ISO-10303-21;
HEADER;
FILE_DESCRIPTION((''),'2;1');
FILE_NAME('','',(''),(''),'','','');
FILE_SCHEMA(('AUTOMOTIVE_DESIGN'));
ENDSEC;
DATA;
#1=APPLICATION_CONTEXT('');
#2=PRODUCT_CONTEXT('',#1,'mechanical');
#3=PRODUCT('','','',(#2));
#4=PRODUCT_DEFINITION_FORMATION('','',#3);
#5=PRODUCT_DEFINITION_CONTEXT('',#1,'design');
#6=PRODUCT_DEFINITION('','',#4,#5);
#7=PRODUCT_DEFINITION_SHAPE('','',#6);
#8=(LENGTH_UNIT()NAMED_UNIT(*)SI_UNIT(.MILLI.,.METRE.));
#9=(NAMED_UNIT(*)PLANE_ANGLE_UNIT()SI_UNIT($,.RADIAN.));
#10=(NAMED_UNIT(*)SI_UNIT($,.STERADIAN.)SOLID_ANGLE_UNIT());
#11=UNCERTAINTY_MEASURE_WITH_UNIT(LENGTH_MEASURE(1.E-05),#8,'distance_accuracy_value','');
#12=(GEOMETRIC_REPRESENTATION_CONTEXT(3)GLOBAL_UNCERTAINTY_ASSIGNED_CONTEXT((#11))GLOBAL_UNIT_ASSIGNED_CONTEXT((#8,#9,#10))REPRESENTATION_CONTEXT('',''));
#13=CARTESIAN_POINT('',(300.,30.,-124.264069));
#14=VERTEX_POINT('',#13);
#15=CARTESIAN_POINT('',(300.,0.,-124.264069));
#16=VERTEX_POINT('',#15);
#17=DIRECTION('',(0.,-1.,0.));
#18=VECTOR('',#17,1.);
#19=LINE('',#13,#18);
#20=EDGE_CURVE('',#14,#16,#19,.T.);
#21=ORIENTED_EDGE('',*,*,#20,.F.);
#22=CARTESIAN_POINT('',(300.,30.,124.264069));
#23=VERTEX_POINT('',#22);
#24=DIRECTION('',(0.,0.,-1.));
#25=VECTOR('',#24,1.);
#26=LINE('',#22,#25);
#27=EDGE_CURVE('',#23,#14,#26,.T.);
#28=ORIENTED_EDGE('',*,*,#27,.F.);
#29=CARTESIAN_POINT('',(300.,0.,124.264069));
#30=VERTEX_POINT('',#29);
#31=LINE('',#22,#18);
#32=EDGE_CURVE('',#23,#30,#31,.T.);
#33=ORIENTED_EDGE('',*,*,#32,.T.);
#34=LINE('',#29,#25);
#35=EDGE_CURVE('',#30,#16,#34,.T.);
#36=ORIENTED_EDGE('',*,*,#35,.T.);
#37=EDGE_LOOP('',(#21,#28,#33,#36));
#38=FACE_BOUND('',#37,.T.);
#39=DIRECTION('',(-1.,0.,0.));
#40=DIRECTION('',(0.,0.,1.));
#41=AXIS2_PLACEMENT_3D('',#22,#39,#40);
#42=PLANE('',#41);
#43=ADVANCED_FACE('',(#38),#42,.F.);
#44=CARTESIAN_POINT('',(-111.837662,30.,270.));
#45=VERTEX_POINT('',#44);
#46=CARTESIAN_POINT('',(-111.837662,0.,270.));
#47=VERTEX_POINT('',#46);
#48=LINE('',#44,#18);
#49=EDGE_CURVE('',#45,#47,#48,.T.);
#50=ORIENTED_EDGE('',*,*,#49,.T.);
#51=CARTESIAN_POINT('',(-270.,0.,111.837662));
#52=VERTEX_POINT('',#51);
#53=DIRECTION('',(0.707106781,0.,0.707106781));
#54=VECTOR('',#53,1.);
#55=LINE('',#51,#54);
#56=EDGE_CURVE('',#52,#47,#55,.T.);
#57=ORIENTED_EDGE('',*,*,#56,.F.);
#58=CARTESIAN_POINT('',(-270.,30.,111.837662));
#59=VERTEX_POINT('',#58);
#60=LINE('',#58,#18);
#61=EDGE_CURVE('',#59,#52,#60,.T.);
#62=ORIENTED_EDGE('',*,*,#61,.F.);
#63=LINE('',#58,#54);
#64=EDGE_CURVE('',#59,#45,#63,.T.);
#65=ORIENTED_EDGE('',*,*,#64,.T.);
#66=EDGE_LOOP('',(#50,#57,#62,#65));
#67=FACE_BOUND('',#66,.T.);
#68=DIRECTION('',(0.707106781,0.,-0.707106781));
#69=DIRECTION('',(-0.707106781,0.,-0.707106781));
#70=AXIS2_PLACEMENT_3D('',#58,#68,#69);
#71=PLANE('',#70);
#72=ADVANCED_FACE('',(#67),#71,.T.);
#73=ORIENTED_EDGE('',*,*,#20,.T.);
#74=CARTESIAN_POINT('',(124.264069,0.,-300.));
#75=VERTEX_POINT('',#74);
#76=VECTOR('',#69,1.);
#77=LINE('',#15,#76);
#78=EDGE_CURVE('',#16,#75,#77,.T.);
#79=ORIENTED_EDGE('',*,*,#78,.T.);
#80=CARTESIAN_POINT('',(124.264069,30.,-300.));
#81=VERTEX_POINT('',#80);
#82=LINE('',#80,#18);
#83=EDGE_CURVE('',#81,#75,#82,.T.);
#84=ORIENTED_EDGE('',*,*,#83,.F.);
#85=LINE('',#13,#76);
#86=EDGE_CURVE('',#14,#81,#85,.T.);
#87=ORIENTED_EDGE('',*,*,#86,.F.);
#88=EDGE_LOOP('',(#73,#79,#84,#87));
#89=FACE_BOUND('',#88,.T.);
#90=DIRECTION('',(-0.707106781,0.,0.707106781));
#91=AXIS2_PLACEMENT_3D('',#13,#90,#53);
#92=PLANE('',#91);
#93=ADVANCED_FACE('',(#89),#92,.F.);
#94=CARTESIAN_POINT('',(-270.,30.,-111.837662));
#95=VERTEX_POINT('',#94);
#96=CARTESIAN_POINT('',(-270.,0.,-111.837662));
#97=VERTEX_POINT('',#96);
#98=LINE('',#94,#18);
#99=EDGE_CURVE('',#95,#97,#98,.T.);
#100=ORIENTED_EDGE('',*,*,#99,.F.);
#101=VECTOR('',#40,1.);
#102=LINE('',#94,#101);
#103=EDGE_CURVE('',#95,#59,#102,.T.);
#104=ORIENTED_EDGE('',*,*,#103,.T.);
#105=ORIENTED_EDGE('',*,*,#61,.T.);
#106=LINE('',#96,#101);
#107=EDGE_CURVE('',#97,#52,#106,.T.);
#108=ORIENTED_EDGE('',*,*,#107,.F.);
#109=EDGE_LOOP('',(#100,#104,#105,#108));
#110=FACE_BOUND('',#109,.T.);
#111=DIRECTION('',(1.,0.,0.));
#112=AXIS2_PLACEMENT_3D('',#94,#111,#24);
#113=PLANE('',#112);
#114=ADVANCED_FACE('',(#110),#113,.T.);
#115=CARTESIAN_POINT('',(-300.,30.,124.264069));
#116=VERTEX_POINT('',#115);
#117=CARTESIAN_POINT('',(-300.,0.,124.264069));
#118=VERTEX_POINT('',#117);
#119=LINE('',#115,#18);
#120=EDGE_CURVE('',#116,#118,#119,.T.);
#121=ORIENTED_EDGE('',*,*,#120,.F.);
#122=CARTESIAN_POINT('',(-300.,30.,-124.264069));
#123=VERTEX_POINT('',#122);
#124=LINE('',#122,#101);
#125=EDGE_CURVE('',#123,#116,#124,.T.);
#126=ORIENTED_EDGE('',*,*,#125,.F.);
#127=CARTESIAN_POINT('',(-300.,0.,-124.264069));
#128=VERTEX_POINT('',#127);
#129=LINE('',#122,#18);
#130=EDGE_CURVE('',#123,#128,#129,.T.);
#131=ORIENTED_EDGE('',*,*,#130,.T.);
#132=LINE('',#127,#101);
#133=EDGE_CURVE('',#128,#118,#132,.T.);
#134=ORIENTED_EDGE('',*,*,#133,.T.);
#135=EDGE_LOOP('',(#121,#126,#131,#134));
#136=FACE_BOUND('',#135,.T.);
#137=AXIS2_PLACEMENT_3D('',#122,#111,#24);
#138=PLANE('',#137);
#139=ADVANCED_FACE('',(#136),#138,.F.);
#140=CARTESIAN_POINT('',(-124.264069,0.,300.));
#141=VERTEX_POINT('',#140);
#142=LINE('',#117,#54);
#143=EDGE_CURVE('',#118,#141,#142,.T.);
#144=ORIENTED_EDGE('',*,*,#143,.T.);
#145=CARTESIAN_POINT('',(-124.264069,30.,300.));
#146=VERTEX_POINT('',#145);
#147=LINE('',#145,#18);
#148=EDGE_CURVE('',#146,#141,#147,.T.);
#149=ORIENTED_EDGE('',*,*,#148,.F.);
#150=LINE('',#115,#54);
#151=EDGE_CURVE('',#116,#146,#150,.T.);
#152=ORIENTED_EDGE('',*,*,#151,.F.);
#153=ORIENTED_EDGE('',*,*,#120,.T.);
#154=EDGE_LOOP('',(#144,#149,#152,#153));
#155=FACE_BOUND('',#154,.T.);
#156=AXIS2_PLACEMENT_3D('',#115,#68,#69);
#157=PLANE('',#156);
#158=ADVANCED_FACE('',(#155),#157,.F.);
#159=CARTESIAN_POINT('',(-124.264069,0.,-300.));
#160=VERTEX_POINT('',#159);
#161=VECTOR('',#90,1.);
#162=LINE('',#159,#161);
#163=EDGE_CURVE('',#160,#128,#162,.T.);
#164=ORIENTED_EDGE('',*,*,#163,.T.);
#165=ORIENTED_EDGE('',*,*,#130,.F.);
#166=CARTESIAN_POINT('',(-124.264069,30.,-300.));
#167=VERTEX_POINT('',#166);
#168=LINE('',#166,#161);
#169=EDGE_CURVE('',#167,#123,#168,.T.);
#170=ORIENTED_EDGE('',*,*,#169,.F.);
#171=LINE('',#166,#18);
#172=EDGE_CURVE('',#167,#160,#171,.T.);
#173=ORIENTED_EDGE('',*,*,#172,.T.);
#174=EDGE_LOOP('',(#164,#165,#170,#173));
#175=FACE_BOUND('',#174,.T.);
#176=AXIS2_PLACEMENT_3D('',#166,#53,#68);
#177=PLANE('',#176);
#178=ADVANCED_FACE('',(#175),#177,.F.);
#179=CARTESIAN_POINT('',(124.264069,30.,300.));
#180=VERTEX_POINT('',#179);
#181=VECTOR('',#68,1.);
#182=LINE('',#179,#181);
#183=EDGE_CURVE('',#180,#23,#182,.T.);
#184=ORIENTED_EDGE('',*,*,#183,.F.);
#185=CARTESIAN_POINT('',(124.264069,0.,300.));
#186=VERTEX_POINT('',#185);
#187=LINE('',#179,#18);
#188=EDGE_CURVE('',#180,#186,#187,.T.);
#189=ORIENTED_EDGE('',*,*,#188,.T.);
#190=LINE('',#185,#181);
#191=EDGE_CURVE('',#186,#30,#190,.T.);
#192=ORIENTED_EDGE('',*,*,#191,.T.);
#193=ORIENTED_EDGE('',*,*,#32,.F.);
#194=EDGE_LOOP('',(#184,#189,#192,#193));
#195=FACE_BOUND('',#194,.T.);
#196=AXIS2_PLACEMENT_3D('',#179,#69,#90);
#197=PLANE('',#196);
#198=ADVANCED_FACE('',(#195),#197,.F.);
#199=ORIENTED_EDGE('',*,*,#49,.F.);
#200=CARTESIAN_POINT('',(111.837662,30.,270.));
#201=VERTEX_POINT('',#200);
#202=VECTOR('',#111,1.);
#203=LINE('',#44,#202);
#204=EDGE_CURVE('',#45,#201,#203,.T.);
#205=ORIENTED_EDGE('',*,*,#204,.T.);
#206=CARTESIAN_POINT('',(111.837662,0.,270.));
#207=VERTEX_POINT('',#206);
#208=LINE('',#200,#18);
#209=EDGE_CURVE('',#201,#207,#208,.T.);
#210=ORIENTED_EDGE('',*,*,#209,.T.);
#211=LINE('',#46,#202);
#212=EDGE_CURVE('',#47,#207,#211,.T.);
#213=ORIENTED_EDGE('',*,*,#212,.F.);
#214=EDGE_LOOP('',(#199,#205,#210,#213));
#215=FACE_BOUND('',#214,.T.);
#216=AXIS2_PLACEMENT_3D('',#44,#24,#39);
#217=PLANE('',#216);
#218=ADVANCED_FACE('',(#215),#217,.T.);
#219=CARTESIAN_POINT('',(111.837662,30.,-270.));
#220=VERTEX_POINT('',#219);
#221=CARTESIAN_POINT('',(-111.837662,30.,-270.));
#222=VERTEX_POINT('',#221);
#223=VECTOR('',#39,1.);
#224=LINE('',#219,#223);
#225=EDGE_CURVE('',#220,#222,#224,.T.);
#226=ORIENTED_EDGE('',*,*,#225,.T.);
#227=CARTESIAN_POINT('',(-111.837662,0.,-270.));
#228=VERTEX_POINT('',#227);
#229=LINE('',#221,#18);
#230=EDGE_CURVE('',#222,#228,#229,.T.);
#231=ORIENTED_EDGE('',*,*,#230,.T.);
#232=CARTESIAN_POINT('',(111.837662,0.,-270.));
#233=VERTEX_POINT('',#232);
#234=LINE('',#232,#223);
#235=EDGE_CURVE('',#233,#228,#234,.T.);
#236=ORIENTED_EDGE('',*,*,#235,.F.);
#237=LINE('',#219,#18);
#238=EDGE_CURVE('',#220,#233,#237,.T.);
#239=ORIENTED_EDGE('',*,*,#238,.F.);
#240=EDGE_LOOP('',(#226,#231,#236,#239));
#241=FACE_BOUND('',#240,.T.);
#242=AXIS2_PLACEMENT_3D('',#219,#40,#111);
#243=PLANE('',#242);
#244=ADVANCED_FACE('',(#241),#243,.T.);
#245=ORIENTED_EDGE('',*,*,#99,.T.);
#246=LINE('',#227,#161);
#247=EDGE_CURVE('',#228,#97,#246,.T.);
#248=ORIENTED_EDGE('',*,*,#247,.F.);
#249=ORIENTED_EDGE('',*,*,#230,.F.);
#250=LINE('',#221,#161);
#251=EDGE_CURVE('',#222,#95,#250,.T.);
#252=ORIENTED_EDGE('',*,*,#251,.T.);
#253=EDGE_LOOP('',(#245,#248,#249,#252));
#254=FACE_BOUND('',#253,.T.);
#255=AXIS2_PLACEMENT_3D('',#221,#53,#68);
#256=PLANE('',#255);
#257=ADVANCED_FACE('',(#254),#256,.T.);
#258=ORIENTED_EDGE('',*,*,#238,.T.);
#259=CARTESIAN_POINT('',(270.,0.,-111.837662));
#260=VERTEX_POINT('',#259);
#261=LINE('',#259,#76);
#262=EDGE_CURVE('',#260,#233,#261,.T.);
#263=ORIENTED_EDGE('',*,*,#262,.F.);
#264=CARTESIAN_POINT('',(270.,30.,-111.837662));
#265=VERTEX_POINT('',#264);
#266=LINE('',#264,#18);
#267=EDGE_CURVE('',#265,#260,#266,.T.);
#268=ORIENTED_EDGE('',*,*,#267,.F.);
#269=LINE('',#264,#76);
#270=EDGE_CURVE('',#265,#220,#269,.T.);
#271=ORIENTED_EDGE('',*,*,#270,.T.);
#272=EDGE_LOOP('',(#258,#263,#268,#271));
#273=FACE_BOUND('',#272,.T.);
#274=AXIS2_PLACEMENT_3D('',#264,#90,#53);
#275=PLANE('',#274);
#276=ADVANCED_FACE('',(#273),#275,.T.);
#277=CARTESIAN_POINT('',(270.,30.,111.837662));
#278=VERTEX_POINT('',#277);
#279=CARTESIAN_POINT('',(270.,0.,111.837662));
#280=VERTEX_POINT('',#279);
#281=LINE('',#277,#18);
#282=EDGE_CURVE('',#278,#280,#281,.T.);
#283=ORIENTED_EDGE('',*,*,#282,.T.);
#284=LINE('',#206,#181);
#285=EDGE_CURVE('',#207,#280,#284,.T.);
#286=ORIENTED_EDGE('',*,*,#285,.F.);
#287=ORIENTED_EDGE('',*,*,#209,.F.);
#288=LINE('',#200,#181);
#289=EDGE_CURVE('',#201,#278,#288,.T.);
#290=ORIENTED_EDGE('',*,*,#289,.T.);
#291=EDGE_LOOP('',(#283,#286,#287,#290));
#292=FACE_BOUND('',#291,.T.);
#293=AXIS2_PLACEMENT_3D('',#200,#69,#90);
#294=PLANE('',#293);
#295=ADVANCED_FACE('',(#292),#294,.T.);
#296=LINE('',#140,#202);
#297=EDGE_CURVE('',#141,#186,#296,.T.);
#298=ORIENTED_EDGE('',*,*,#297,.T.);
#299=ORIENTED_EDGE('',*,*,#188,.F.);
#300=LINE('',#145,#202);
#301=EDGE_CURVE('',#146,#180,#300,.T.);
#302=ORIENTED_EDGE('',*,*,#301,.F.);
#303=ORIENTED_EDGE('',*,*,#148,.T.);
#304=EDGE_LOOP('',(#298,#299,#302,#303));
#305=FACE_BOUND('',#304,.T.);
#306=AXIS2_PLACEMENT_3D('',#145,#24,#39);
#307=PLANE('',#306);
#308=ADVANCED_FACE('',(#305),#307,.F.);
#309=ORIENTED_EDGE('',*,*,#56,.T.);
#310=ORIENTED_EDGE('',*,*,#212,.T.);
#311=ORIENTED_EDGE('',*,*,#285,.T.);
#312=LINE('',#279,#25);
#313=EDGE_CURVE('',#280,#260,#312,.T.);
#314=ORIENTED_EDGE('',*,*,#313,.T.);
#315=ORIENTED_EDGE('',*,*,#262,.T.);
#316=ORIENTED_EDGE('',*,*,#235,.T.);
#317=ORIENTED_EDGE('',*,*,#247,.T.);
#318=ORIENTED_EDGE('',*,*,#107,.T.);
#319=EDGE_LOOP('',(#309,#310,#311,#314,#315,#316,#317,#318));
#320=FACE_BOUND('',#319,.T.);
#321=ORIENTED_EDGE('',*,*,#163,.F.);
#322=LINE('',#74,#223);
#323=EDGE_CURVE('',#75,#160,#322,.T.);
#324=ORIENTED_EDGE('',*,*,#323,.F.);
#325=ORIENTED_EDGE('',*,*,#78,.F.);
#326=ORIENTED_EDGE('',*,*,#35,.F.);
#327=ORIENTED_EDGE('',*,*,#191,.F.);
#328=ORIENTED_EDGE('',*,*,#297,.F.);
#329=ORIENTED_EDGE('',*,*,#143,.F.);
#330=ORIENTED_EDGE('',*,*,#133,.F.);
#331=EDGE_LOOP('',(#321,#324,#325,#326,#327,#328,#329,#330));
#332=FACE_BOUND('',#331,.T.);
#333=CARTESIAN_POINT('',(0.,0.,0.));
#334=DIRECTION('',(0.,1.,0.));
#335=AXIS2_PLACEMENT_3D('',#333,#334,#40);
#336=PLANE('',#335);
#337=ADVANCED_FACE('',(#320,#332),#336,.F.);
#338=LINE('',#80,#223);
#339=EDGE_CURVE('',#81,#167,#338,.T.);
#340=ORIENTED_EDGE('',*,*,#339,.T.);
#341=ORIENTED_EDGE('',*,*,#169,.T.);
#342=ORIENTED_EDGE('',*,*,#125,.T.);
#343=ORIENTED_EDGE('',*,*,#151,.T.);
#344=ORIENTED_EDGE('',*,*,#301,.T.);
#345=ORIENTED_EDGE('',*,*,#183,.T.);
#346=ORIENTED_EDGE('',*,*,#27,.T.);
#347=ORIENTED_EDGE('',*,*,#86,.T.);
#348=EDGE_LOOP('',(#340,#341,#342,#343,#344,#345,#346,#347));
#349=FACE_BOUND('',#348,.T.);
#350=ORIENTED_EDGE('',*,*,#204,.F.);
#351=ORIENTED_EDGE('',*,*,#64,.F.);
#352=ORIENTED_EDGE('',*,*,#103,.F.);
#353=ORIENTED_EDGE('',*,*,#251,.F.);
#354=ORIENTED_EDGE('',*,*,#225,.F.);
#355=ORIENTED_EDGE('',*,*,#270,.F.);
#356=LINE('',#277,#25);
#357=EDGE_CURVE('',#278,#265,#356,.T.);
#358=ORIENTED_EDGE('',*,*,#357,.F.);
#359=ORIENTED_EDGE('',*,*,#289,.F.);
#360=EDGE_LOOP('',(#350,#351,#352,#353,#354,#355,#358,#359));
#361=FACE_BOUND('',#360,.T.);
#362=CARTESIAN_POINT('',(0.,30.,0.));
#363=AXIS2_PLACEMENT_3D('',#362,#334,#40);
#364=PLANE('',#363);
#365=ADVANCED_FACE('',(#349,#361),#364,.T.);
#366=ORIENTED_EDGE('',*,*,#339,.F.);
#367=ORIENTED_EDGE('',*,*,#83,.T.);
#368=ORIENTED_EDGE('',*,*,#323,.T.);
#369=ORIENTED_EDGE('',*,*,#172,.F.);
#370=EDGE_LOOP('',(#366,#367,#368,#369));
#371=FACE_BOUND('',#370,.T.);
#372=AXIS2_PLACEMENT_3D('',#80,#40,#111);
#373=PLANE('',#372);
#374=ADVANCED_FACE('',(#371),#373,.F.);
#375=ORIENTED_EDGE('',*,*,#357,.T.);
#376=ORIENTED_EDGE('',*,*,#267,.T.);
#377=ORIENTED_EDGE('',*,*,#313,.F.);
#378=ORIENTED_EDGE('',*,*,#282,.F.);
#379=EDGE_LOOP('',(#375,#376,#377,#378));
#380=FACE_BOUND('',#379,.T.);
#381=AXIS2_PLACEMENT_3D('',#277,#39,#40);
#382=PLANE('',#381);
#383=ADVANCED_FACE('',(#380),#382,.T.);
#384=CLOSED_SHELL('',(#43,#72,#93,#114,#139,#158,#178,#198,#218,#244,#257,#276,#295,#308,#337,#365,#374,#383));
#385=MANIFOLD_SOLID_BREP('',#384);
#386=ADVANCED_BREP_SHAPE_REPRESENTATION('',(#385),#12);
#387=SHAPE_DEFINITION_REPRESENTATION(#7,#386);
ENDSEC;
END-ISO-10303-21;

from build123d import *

# Parameters (mm, degrees)
SALIENTE_EXTRUIR1_DEPTH = 30


with BuildPart() as part:
    # Croquis1 → Saliente-Extruir1 (new body)
    with BuildSketch(Plane(origin=(0, 0, 0), x_dir=(1, 0, 0), z_dir=(0, 1, 0))):
        Polygon((300, -124.264068712), (300, 124.264068712), (124.264068712, 300), (-124.264068712, 300), (-300, 124.264068712), (-300, -124.264068712), (-124.264068712, -300), (124.264068712, -300), align=None)
        Polygon((270, -111.837661841), (270, 111.837661841), (111.837661841, 270), (-111.837661841, 270), (-270, 111.837661841), (-270, -111.837661841), (-111.837661841, -270), (111.837661841, -270), align=None, mode=Mode.SUBTRACT)
    extrude(amount=SALIENTE_EXTRUIR1_DEPTH)


solid = part.part
